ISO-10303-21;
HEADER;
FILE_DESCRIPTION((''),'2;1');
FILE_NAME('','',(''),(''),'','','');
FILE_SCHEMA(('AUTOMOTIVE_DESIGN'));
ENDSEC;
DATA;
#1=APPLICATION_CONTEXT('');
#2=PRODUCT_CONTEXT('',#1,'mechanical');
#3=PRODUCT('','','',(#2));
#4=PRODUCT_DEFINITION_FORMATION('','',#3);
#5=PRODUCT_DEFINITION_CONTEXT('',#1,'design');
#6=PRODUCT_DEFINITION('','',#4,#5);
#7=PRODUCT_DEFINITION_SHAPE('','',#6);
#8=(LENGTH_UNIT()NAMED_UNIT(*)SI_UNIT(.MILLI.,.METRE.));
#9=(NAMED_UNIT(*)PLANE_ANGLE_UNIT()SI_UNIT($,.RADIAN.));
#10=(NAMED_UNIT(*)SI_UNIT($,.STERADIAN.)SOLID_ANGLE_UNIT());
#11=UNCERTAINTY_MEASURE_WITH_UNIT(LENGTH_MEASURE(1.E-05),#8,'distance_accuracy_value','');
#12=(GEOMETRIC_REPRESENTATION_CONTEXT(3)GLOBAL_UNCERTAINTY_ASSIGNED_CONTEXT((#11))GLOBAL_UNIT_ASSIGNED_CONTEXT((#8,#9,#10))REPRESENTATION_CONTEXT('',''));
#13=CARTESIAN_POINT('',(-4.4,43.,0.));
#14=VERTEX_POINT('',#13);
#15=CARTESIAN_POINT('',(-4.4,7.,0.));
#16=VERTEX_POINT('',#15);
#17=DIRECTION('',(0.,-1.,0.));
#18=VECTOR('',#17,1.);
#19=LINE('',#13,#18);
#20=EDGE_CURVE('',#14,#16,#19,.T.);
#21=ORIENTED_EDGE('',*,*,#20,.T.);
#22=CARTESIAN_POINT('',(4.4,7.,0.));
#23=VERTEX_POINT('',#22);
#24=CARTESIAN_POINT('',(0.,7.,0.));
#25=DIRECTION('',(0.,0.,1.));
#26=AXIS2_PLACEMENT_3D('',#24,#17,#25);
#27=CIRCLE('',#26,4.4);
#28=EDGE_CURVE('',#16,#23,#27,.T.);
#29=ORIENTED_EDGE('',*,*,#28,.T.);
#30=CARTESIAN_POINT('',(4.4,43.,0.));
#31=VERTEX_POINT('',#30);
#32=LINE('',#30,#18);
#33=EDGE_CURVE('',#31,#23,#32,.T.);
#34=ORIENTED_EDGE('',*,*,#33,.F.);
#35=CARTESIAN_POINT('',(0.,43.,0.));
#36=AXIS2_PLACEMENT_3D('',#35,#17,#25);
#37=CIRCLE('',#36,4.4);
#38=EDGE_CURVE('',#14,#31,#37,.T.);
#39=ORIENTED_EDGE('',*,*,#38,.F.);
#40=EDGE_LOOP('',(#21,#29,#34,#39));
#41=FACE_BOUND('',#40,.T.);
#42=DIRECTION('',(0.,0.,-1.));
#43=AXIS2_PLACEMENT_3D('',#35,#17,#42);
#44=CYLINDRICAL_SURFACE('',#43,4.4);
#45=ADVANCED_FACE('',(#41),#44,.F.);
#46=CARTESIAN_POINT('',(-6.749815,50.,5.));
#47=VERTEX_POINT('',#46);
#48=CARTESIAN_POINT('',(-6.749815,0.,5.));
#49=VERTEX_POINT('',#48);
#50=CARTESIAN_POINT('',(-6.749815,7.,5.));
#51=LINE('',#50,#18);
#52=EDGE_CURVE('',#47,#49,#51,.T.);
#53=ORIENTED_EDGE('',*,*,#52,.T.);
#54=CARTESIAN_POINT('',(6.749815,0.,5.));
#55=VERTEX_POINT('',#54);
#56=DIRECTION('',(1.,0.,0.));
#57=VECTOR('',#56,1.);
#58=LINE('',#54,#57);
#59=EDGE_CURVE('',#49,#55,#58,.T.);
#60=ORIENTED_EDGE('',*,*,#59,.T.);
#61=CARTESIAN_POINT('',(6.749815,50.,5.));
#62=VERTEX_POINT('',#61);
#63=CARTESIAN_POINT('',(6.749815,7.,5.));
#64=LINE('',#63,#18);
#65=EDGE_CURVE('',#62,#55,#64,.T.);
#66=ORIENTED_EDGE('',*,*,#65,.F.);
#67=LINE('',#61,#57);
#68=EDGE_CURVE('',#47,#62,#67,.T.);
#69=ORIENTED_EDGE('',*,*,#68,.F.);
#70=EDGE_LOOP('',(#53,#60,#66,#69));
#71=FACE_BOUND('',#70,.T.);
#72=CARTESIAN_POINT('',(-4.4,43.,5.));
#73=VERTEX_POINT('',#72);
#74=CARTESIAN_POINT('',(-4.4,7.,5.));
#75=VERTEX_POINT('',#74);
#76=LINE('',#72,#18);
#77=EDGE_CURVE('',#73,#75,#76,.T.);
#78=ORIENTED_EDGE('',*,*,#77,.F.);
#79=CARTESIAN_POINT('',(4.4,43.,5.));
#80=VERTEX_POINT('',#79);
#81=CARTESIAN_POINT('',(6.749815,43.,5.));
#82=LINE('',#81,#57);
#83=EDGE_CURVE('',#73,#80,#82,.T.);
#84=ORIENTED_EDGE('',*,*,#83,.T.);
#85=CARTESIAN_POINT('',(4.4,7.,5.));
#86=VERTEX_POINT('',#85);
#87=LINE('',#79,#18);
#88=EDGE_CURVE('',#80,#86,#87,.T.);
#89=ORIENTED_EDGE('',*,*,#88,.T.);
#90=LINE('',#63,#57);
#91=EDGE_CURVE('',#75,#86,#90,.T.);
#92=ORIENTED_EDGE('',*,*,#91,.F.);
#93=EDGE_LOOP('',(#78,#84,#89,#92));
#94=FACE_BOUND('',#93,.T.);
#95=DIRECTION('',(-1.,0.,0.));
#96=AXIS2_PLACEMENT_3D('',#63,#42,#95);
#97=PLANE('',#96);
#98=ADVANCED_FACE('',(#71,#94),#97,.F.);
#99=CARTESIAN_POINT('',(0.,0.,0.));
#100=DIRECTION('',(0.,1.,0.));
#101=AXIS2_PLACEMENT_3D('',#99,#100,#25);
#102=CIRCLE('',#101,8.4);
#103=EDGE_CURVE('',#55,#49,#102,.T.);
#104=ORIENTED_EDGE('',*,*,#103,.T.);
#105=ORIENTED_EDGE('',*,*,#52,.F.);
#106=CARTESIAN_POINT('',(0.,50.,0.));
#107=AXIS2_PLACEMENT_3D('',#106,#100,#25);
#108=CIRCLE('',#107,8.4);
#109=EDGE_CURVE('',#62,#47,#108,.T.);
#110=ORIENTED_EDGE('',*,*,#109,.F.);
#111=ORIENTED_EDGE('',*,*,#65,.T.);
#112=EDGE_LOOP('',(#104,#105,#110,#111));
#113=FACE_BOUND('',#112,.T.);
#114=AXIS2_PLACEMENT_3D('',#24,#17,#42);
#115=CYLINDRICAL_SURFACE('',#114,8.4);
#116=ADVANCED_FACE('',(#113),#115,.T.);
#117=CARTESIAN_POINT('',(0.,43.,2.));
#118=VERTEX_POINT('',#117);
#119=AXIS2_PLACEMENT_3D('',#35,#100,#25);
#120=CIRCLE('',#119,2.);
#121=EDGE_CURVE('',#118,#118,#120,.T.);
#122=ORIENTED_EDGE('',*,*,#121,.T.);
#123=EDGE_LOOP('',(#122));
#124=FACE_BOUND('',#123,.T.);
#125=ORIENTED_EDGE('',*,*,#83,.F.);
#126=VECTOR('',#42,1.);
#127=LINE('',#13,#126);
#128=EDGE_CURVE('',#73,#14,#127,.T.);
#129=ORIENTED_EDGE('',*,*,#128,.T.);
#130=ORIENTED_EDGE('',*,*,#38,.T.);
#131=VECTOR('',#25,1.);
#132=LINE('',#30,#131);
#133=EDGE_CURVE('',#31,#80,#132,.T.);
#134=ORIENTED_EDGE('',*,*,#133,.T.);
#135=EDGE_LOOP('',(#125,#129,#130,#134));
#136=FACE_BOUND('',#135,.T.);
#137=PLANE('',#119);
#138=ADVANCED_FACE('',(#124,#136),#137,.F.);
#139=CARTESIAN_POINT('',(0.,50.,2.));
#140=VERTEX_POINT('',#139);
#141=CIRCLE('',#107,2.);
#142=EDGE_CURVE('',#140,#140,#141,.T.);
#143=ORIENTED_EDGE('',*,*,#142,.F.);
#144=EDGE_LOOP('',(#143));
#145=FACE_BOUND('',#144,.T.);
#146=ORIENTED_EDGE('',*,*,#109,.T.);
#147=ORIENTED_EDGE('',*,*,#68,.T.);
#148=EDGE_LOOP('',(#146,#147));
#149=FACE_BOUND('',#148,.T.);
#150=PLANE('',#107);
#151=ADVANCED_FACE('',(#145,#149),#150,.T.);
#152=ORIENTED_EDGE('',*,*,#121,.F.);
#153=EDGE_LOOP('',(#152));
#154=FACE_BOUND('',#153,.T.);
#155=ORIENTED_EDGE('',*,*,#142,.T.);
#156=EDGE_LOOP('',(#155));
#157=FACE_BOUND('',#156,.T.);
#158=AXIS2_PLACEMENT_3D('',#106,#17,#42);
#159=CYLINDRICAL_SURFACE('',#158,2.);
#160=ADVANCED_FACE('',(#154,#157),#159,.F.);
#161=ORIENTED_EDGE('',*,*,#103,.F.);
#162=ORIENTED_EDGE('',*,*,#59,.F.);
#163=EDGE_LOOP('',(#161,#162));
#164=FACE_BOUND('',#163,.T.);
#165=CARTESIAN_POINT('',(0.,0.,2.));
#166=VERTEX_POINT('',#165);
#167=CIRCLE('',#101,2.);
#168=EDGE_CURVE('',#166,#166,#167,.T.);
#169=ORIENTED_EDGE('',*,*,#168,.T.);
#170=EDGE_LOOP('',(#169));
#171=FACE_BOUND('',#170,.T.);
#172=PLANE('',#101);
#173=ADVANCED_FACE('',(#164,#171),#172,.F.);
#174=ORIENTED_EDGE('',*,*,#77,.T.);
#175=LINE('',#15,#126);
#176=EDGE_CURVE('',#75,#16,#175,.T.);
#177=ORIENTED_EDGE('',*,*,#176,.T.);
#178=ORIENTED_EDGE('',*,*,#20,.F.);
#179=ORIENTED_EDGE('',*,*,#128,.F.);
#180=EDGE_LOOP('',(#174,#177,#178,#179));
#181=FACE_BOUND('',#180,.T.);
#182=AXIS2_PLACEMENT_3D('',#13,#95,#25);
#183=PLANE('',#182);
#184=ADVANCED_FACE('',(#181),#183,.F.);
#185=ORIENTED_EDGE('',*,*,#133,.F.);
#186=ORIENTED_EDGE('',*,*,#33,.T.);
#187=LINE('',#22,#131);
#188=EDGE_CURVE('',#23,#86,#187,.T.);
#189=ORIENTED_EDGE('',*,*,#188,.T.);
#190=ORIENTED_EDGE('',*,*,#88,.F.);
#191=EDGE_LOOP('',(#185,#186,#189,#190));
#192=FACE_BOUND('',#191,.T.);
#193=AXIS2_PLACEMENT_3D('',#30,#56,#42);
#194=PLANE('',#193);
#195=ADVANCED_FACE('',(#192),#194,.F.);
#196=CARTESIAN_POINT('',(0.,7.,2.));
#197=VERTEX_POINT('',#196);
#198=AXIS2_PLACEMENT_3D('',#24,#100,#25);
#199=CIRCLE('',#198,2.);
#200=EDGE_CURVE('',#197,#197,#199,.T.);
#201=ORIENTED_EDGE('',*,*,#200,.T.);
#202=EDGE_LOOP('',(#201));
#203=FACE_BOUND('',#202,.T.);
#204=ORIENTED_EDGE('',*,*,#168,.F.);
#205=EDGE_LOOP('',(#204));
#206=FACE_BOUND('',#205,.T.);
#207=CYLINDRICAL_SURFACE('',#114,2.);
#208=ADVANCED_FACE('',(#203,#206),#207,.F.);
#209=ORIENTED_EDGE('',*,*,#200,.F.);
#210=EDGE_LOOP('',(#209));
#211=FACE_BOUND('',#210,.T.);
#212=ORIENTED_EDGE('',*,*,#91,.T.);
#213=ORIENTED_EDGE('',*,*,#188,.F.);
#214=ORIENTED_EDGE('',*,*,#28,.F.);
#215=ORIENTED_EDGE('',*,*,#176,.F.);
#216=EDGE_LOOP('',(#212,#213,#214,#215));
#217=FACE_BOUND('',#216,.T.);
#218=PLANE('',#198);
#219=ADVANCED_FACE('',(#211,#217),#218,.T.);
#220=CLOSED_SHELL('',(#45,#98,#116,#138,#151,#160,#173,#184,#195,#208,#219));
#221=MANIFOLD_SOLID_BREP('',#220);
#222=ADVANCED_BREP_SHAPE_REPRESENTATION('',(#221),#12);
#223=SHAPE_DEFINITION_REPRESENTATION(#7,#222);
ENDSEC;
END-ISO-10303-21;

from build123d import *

# Parameters (mm, degrees)
SKETCH1_R           = 2
BOSS_EXTRUDE1_DEPTH = 7
BOSS_EXTRUDE3_DEPTH = 36
SKETCH5_R           = 2
BOSS_EXTRUDE4_DEPTH = 7


with BuildPart() as part:
    # Sketch1 → Boss-Extrude1 (new body)
    with BuildSketch(Plane(origin=(0, 0, 0), x_dir=(1, 0, 0), z_dir=(0, 1, 0))):
        with BuildLine():
            Line((6.749814812, -5), (-6.749814812, -5))
            ThreePointArc((-6.749814812, -5), (0, 8.4), (6.749814812, -5))
        make_face()
        with Locations(Location((0, 0, 0), (0, 0, 270))):
            Circle(SKETCH1_R, mode=Mode.SUBTRACT)
    extrude(amount=BOSS_EXTRUDE1_DEPTH)

    # Sketch3 → Boss-Extrude3 (add)
    with BuildSketch(Plane(origin=(0, 7, 0), x_dir=(1, 0, 0), z_dir=(0, 1, 0))):
        with BuildLine():
            Line((-4.4, 0), (-4.4, -5))
            Line((-4.4, -5), (-6.749814812, -5))
            ThreePointArc((-6.749814812, -5), (0, 8.4), (6.749814812, -5))
            Line((6.749814812, -5), (4.4, -5))
            Line((4.4, -5), (4.4, 0))
            ThreePointArc((4.4, 0), (0, 4.4), (-4.4, 0))
        make_face()
    extrude(amount=BOSS_EXTRUDE3_DEPTH)

    # Sketch5 → Boss-Extrude4 (add)
    with BuildSketch(Plane(origin=(0, 43, 0), x_dir=(1, 0, 0), z_dir=(0, 1, 0))):
        with BuildLine():
            Line((6.749814812, -5), (-6.749814812, -5))
            ThreePointArc((-6.749814812, -5), (0, 8.4), (6.749814812, -5))
        make_face()
        with Locations(Location((0, 0, 0), (0, 0, 270))):
            Circle(SKETCH5_R, mode=Mode.SUBTRACT)
    extrude(amount=BOSS_EXTRUDE4_DEPTH)


solid = part.part
